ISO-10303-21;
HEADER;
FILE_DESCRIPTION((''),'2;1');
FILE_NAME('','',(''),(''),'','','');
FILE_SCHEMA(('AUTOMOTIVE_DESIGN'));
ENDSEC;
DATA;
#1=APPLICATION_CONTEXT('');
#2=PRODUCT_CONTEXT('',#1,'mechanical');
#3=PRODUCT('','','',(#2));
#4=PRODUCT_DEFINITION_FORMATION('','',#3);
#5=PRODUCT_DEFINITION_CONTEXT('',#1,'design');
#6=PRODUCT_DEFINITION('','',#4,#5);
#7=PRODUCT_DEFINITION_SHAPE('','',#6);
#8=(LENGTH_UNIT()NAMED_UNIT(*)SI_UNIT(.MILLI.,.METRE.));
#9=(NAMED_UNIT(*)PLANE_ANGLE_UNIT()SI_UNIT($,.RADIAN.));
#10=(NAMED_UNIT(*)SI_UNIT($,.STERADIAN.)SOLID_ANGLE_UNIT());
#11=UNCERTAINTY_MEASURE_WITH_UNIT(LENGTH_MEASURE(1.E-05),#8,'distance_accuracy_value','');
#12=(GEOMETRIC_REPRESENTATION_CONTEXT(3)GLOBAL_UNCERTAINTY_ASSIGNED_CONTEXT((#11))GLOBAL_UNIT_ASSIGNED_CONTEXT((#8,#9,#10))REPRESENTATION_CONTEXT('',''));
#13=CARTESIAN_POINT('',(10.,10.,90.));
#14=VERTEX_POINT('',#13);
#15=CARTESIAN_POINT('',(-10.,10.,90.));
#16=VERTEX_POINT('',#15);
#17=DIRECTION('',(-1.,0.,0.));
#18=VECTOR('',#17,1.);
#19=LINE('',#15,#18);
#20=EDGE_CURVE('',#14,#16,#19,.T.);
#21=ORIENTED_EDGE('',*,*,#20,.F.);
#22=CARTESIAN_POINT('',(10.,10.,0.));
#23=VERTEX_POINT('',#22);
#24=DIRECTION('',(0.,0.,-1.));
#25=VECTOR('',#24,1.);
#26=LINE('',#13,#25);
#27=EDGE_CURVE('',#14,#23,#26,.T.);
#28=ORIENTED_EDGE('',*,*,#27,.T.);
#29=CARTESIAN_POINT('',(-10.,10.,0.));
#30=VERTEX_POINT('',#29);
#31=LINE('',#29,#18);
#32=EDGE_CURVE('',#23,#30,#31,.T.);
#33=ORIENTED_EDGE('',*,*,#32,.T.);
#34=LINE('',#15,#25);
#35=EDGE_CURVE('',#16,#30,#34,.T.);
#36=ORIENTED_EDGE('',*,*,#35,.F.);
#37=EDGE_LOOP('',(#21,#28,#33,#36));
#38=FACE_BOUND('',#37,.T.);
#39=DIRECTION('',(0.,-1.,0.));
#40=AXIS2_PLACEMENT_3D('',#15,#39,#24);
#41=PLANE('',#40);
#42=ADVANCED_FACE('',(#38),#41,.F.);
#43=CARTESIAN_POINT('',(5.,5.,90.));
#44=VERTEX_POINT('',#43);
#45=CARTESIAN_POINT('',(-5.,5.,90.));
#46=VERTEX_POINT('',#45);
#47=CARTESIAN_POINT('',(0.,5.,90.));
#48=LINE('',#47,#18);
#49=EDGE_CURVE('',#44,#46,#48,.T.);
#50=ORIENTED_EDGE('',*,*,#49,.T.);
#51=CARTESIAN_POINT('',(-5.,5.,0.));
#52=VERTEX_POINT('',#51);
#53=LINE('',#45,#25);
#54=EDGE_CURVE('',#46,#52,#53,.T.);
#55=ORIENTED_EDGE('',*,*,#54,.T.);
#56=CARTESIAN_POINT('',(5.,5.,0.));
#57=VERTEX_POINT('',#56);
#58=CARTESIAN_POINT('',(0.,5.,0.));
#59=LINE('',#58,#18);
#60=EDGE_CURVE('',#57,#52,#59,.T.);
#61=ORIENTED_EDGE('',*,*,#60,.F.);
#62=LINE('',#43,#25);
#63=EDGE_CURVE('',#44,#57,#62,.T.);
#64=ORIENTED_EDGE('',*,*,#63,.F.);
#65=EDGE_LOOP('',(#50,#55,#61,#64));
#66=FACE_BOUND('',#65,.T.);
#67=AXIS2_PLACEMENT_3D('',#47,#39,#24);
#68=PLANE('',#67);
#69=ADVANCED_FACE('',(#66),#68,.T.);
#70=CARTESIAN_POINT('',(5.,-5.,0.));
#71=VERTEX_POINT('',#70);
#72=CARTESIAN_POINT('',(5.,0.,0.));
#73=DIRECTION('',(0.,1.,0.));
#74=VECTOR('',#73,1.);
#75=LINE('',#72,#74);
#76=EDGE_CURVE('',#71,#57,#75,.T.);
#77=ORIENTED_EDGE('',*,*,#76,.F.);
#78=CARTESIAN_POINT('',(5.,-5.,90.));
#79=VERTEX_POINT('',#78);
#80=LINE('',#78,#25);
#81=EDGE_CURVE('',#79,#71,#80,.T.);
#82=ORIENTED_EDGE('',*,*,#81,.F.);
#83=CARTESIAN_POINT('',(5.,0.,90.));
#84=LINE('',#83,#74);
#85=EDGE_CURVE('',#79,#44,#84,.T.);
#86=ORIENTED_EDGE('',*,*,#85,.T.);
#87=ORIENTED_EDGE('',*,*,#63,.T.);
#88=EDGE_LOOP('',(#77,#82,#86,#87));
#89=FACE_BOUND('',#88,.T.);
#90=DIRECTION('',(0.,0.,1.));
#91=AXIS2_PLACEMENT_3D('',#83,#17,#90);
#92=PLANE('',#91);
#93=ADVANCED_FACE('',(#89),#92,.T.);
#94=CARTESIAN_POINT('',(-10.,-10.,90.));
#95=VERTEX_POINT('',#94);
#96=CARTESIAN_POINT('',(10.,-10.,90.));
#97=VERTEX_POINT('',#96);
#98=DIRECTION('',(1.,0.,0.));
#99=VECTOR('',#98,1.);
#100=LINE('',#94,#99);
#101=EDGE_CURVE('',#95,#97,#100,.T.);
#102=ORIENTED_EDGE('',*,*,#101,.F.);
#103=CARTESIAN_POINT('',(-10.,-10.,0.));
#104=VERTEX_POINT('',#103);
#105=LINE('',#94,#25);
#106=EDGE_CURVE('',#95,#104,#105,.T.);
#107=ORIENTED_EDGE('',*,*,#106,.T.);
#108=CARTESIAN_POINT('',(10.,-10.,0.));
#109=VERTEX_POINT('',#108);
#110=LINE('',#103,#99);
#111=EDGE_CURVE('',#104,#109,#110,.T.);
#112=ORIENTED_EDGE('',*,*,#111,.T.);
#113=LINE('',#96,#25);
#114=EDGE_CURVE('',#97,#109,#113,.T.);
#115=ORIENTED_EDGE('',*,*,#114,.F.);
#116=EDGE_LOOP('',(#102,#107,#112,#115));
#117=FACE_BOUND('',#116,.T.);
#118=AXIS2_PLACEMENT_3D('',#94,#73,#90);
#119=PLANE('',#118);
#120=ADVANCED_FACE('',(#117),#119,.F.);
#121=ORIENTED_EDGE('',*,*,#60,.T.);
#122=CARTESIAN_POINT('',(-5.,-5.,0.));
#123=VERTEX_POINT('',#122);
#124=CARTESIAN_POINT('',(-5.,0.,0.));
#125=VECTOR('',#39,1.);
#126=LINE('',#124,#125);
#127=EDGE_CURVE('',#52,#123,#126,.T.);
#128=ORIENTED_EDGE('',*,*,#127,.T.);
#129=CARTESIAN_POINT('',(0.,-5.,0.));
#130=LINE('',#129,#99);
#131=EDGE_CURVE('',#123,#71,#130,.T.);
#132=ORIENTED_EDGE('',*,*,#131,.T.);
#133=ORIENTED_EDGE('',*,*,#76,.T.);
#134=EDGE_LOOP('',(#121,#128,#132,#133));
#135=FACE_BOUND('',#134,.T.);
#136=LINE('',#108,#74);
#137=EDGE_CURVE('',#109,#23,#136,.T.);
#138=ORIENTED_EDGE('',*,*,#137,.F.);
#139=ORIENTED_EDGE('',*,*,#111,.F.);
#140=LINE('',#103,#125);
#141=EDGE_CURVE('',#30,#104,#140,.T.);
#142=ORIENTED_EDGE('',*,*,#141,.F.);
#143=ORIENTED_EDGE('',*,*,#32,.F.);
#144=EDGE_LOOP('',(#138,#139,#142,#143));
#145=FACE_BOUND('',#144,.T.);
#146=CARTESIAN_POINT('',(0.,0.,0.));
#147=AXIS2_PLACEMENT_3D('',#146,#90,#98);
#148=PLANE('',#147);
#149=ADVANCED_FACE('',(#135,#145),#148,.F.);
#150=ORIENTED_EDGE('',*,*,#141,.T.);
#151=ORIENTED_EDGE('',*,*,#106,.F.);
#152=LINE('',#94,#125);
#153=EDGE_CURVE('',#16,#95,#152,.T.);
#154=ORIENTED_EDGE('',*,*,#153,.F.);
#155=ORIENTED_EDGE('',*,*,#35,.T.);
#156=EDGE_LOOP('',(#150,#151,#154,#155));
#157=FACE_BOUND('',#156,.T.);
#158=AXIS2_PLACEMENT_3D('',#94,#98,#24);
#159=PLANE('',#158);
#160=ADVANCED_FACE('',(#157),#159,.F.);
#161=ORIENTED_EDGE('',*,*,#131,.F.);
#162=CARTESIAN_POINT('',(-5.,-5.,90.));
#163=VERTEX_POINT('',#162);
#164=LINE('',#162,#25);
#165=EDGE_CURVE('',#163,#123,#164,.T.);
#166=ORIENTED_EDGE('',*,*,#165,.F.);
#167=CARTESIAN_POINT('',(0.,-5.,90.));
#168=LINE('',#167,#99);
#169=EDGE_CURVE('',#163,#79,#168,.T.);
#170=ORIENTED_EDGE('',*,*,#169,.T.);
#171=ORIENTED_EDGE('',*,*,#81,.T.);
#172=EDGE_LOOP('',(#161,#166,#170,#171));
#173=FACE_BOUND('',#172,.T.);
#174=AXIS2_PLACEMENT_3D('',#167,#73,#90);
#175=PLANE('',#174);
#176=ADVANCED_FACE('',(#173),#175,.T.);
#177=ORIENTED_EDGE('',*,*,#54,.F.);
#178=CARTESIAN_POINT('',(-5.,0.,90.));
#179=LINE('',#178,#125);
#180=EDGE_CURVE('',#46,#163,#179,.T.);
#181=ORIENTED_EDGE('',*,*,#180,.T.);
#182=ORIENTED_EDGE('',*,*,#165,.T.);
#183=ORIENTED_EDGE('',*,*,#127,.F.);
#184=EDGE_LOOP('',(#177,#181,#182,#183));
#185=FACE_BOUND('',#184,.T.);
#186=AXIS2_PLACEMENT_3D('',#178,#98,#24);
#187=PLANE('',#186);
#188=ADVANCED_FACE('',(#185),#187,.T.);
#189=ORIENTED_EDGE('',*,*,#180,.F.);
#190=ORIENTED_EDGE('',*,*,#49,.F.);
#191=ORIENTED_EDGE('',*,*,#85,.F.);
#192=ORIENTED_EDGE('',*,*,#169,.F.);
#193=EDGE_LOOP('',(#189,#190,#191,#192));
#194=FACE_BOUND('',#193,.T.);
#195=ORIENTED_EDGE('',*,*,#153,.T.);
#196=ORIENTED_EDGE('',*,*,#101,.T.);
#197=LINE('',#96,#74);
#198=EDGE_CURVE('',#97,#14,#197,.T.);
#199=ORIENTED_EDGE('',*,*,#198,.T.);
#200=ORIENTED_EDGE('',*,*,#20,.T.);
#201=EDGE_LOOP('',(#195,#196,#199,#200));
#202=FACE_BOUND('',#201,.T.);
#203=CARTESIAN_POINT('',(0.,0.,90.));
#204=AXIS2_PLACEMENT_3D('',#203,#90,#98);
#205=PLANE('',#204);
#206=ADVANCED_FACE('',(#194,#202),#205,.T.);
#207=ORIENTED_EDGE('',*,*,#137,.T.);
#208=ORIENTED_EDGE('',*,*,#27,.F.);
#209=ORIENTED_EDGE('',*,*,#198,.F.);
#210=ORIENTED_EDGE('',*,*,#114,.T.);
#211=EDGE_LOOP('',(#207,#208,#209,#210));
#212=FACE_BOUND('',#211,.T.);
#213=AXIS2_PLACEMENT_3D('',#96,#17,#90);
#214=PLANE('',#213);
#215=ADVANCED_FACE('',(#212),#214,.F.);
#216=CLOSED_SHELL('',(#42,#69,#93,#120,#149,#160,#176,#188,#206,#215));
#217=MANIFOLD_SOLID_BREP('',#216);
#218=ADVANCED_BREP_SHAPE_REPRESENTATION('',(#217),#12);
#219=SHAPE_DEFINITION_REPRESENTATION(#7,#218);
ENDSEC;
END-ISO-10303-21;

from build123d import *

# Parameters (mm, degrees)
SKETCH1_W           = 20
SKETCH1_H           = 20
SKETCH1_W_2         = 10
SKETCH1_H_2         = 10
EXTRUDE_THIN1_DEPTH = 90


with BuildPart() as part:
    # Sketch1 → Extrude-Thin1 (new body)
    with BuildSketch(Plane.XY):
        Rectangle(SKETCH1_W, SKETCH1_H)
        Rectangle(SKETCH1_W_2, SKETCH1_H_2, mode=Mode.SUBTRACT)
    extrude(amount=EXTRUDE_THIN1_DEPTH)


solid = part.part
